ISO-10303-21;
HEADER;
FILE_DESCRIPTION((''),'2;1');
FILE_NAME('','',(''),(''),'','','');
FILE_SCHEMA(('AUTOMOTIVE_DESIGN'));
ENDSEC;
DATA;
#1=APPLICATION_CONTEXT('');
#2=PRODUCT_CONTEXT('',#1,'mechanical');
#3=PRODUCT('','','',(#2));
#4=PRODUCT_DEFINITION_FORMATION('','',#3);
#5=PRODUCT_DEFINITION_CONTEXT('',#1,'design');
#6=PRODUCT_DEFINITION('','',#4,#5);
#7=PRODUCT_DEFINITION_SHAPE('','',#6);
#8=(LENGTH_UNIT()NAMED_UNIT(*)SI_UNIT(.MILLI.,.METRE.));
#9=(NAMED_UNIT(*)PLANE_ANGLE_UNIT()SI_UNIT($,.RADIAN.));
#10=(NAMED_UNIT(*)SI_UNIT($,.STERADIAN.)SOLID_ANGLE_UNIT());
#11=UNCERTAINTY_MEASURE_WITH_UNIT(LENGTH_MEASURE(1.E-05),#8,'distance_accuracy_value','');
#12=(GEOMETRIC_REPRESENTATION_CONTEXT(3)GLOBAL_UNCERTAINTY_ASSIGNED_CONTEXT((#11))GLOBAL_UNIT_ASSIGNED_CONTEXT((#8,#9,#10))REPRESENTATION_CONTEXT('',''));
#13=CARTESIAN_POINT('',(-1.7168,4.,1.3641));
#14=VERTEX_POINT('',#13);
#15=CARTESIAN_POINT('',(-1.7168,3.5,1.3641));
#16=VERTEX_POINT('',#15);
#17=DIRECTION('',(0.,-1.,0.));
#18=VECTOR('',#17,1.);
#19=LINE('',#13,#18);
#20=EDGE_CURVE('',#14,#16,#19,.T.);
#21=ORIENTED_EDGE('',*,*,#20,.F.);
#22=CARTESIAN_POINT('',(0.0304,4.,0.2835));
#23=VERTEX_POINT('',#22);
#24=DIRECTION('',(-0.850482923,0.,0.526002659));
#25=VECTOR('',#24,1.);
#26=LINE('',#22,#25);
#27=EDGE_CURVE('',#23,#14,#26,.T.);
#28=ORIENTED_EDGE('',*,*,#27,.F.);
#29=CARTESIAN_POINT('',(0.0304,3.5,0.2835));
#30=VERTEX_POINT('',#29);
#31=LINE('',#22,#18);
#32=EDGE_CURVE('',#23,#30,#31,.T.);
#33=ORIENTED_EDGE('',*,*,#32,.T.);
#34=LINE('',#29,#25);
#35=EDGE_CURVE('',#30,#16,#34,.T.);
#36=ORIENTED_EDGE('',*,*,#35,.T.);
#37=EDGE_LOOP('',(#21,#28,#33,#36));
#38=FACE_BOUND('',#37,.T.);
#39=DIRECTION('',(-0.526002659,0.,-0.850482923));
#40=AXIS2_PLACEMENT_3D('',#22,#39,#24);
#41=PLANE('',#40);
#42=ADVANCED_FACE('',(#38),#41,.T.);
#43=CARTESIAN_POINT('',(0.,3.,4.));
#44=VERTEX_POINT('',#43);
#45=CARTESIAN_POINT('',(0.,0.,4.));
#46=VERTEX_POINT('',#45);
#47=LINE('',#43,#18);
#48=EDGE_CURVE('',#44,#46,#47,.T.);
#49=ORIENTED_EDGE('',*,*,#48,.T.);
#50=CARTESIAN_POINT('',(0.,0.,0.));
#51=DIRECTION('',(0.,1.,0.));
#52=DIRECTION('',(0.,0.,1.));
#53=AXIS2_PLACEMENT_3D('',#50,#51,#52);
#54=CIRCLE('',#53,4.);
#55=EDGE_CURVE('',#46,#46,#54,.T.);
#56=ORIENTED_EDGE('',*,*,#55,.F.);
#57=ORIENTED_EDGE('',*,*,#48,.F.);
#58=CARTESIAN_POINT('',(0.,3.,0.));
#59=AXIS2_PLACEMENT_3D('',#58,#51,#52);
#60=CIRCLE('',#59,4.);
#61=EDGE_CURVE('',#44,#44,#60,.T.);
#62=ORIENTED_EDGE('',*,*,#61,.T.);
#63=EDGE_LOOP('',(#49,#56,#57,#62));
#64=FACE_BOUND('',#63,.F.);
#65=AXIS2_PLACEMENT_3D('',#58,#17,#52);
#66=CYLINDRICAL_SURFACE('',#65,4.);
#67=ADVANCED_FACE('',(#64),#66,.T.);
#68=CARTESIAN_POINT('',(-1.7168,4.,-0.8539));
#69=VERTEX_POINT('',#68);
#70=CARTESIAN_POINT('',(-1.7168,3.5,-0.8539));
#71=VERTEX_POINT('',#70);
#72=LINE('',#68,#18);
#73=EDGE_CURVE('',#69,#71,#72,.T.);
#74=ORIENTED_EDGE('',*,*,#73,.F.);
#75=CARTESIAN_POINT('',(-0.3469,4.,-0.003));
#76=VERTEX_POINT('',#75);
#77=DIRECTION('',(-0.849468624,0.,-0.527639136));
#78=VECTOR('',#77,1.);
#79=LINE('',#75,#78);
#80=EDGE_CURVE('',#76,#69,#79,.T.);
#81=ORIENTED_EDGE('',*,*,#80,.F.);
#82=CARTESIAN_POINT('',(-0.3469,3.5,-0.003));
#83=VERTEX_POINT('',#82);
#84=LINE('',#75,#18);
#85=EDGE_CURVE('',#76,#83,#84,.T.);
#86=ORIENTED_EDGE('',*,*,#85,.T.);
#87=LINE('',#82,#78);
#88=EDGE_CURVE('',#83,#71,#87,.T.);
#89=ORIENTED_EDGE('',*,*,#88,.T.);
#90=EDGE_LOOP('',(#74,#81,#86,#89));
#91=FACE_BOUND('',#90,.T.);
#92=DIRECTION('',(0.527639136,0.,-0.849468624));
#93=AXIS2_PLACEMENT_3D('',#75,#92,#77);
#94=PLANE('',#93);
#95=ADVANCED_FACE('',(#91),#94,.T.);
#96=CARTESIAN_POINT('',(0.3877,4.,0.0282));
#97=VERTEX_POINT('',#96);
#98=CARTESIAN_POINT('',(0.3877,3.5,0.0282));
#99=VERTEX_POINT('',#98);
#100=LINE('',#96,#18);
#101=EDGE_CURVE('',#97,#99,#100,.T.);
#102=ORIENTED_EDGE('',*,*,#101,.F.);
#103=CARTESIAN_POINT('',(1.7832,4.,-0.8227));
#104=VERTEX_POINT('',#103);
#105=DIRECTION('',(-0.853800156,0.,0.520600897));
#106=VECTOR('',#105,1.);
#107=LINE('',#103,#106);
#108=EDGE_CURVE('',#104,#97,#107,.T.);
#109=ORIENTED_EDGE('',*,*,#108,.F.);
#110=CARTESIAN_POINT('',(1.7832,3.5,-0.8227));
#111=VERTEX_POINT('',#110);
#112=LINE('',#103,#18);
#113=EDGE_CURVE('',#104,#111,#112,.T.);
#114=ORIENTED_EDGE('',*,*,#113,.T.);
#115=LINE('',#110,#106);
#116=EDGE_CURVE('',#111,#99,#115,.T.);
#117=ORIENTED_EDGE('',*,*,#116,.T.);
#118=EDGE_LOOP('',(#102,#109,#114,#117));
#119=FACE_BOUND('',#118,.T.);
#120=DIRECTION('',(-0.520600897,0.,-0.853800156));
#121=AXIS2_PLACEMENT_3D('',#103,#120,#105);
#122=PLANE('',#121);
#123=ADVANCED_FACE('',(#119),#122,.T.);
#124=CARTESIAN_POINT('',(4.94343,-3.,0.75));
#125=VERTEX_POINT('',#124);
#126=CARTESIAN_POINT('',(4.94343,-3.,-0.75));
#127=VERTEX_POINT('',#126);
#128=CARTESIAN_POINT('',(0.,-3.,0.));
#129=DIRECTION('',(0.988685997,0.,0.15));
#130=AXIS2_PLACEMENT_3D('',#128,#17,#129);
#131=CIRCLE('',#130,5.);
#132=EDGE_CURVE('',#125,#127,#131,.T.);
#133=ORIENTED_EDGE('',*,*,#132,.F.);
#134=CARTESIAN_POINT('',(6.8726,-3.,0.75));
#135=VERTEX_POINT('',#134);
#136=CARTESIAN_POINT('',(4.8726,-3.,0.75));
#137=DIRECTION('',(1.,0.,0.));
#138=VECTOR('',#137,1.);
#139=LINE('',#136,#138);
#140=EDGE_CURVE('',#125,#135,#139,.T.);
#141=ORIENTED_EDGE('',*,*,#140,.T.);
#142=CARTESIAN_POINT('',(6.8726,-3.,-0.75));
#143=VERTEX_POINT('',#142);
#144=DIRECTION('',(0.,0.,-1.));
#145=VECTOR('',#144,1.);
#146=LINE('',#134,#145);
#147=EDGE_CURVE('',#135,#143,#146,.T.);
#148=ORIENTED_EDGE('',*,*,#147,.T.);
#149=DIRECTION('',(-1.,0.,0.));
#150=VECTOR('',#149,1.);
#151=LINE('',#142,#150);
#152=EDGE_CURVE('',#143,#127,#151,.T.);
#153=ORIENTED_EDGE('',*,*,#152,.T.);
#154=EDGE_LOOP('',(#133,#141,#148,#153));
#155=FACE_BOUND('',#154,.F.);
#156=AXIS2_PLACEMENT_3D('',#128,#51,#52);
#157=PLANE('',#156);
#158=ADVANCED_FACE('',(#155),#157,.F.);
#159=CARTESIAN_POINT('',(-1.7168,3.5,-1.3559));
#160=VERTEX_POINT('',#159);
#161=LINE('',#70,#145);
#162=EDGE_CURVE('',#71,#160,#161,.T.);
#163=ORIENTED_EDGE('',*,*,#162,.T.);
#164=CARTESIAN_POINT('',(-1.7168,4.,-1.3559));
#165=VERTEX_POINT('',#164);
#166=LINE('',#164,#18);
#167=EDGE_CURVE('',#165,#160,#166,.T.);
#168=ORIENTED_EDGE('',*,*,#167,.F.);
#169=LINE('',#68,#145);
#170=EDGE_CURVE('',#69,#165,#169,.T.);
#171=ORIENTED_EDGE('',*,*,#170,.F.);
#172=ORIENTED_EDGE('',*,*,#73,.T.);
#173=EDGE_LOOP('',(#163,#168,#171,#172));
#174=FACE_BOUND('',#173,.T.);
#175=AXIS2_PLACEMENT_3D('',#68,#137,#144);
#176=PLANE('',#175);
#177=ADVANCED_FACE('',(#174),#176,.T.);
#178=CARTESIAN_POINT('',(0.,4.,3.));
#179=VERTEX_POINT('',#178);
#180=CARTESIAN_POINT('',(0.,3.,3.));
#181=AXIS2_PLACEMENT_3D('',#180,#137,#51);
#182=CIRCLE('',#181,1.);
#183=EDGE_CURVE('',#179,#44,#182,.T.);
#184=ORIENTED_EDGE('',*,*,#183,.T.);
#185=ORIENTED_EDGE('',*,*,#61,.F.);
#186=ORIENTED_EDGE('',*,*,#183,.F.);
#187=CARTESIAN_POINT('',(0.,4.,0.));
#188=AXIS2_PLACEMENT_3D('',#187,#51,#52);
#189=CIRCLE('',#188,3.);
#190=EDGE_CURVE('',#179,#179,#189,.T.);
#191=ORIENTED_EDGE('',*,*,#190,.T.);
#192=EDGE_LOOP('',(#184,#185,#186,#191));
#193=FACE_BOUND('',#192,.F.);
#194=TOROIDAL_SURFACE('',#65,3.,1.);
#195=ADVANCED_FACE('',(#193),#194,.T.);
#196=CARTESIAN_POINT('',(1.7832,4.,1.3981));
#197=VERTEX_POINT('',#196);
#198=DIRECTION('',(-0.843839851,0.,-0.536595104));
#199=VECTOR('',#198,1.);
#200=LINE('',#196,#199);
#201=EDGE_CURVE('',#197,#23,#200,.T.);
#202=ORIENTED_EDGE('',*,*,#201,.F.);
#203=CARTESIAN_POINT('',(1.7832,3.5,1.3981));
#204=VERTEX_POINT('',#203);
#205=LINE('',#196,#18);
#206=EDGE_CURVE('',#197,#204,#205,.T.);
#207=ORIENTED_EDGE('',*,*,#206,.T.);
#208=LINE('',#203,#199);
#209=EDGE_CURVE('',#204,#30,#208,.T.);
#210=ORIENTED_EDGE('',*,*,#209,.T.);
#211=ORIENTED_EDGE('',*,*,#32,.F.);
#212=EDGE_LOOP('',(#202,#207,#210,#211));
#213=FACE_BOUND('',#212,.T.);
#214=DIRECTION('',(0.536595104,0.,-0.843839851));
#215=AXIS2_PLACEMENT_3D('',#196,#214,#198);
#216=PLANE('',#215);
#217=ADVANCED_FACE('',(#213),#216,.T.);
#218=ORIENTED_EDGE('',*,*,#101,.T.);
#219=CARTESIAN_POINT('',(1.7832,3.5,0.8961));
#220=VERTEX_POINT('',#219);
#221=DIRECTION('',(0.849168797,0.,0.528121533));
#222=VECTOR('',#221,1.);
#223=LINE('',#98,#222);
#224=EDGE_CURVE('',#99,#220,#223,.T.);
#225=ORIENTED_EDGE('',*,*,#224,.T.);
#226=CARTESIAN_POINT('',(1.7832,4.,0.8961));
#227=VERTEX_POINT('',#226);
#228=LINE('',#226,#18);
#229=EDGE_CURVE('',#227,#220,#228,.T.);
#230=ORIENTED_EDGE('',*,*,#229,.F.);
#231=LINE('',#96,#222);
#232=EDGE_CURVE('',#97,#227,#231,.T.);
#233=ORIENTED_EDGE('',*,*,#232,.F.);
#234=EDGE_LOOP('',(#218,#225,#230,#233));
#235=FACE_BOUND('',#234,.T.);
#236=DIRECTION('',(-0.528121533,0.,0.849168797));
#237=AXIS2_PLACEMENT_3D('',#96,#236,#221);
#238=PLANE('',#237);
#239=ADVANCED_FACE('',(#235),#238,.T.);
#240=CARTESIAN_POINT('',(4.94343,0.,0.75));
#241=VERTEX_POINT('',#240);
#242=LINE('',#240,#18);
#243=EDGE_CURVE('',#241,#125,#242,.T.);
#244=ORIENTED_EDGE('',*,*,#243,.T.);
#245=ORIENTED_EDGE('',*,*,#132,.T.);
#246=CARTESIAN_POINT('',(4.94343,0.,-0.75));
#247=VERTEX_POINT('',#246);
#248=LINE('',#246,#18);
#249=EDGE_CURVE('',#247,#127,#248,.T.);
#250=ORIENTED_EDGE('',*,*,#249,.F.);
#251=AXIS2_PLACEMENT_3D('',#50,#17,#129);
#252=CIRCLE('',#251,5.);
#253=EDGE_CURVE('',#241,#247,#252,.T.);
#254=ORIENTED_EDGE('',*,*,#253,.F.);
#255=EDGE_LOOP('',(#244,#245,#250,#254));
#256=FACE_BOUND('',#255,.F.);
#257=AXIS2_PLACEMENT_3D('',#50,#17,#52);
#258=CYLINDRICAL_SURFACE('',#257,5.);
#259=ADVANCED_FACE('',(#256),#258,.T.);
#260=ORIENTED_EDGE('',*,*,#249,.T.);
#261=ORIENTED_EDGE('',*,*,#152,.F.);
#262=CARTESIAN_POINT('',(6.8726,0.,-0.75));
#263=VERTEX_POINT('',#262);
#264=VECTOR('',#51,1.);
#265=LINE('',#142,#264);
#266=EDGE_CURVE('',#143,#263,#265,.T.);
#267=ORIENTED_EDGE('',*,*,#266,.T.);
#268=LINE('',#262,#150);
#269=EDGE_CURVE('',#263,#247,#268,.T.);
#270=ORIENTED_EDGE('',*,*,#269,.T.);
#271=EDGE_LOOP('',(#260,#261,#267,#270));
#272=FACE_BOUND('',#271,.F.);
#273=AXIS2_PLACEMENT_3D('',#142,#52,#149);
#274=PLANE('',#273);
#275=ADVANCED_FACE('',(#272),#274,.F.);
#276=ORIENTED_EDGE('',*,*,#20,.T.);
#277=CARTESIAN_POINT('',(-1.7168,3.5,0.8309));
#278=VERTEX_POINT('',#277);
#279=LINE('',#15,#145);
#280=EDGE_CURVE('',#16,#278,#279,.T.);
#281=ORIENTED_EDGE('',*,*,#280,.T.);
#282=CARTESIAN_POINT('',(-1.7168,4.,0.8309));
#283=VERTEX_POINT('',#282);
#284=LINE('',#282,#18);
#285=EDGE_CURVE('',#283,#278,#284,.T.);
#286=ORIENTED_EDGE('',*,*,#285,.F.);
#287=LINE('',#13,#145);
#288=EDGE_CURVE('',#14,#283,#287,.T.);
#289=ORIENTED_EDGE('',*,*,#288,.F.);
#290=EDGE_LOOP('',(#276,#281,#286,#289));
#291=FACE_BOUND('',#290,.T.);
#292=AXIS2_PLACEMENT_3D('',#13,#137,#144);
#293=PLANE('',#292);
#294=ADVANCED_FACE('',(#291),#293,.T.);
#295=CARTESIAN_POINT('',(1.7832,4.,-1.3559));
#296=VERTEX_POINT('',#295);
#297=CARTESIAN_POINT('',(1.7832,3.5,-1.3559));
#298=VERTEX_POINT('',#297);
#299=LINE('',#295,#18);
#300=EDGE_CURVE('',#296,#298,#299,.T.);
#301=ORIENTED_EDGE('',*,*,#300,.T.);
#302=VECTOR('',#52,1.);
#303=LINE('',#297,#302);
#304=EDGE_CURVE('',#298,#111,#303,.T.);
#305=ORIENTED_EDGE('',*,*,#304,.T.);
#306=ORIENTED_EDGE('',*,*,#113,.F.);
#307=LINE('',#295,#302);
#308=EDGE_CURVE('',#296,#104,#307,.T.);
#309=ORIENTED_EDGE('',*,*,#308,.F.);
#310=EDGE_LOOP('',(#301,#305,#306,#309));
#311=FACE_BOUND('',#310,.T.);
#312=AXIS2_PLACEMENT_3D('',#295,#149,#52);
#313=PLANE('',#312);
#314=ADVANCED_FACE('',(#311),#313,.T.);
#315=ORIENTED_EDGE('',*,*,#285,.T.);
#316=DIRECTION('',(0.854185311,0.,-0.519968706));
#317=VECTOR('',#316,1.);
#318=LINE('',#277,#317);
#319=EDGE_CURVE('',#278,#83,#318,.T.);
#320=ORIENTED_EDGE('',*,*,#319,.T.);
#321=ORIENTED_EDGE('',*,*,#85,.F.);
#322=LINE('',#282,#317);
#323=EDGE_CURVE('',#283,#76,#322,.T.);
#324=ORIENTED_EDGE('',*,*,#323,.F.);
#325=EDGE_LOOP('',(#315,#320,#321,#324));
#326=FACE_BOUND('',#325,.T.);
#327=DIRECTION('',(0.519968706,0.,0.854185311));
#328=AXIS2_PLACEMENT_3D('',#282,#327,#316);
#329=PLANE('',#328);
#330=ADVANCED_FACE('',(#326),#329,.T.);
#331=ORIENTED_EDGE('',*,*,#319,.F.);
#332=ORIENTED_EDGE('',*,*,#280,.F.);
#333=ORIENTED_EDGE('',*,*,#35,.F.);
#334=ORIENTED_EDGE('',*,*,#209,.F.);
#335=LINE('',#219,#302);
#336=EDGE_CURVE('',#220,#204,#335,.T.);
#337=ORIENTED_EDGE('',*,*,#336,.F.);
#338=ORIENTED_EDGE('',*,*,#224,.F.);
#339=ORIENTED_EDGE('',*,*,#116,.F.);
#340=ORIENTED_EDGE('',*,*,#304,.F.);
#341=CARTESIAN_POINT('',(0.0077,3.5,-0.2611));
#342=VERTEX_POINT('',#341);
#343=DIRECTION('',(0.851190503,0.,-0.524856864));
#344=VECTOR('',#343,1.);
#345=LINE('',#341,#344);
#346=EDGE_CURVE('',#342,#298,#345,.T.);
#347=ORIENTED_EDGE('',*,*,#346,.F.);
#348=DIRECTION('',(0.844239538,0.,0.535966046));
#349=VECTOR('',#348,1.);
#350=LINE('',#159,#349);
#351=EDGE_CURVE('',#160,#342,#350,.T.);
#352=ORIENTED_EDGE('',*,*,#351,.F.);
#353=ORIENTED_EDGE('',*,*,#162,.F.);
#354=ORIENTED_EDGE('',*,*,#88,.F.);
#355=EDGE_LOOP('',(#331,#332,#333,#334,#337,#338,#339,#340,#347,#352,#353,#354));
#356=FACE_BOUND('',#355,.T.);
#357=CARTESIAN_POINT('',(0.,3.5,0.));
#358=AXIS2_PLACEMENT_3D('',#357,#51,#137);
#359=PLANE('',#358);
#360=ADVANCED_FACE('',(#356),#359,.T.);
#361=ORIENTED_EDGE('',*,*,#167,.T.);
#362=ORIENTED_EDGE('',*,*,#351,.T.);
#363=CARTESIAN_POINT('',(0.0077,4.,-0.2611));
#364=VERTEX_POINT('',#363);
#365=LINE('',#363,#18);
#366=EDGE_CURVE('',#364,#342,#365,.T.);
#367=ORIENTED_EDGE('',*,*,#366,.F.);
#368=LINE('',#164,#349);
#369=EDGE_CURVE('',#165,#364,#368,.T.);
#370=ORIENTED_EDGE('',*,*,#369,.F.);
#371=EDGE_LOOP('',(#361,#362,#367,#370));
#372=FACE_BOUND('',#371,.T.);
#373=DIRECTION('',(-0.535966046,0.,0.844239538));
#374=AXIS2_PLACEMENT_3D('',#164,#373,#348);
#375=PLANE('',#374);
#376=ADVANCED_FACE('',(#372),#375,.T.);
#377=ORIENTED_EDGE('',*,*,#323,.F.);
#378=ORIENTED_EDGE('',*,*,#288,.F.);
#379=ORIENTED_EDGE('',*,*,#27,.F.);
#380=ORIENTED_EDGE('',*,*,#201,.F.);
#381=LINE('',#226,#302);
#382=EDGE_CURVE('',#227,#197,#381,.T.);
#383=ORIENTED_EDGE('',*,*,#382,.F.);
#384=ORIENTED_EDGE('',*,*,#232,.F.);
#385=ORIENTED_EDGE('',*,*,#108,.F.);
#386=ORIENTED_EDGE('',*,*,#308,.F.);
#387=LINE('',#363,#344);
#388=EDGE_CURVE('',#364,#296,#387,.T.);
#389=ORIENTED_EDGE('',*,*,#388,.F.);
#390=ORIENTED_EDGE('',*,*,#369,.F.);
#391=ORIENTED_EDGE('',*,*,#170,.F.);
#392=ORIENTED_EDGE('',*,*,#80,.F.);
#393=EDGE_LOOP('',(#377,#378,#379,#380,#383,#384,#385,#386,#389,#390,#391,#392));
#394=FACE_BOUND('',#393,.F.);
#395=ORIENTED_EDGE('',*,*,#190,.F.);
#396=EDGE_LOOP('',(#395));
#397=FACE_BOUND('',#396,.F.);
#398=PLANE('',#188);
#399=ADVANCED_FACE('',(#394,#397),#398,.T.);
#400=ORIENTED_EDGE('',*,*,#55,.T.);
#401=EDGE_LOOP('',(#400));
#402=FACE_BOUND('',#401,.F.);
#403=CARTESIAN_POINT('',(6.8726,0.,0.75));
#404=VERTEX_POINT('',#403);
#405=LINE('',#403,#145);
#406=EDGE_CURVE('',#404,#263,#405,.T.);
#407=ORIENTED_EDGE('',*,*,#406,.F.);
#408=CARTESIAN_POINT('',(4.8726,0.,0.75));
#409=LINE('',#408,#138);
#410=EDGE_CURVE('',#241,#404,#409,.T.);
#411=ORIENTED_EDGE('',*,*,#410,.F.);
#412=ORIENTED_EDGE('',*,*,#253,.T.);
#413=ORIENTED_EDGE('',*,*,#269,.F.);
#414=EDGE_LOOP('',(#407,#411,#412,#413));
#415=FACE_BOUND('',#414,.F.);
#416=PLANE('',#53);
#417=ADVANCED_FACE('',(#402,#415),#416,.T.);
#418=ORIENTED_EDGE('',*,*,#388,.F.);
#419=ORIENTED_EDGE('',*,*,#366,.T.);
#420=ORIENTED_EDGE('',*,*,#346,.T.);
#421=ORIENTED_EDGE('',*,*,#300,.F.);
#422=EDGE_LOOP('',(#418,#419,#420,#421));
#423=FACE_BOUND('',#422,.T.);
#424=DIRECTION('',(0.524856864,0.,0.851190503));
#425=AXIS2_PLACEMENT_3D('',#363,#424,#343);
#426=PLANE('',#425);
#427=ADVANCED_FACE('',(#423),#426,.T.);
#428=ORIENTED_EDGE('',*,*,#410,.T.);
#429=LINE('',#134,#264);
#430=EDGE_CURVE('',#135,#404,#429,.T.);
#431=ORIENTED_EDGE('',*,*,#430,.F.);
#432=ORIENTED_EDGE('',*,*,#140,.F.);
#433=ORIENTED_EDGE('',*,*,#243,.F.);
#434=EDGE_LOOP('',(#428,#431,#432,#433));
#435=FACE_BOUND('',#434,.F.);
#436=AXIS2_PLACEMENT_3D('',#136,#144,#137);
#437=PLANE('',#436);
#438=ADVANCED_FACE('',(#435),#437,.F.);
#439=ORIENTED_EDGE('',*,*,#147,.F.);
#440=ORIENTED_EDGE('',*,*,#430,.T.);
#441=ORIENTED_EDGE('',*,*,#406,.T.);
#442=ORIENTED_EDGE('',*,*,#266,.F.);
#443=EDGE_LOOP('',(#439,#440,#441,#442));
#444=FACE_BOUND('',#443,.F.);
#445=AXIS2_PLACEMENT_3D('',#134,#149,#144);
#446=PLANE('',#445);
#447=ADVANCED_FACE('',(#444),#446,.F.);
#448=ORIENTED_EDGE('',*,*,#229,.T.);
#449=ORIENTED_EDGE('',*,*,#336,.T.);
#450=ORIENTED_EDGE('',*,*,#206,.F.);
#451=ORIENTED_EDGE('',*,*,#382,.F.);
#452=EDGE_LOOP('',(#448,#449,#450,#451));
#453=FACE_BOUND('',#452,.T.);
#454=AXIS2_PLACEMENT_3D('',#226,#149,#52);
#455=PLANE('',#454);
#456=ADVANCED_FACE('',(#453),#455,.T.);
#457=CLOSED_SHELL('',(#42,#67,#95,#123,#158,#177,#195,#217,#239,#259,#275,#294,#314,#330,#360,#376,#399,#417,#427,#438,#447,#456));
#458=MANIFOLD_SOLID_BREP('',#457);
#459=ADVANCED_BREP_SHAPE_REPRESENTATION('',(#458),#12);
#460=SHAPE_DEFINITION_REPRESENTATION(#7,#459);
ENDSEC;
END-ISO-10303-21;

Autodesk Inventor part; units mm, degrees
ref_plane "YZ Plane" through (0, 0, 0) normal (1, 0, 0) x (0, 1, 0)
ref_plane "XZ Plane" through (0, 0, 0) normal (0, 1, 0) x (-1, 0, 0)
ref_plane "XY Plane" through (0, 0, 0) normal (0, 0, 1) x (1, 0, 0)
sketch "Skizze1" plane through (0, 0, 0) normal (1, 0, 0) x (0, 1, 0)
  line L0 (4, 0) -> (4, 3)
  arc A0 (4, 3) -> (3, 4) centre (3, 3) ccw
  line L1 (3, 4) -> (0, 4)
  line L2 (0, 4) -> (0, 5)
  line L3 (0, 5) -> (-3, 5)
  line L4 (-3, 5) -> (-3, 2)
  line L5 (0, 0) -> (4, 0)
  line L6 (-3, 2) -> (-3, 0)
  line L7 (-3, 0) -> (0, 0)
  point P0 (0, 2)
  dimension "d0" = 2
  dimension "d1" = 4
  dimension "d2" = 3
  dimension "d3" = 5
  dimension "d4" = 3
  dimension "d5" = 1
  dimension "d6" = 1
revolve "Umdrehung1" add sketch "Skizze1" angle 360 about axis through (0, 0, 0) along (0, 1, 0)
sketch "Skizze2" plane through (0, 4, 0) normal (0, 1, 0) x (1, 0, 0)
  line L0 (-1.7168, -1.418) -> (-1.7168, 1.5147) construction
  line L1 (-1.7168, 1.5147) -> (1.7832, 1.5147) construction
  line L2 (1.7832, 1.5147) -> (1.7832, -1.418) construction
  line L3 (1.7832, -1.418) -> (-1.7168, -1.418) construction
  line L4 (1.7832, 1.3559) -> (1.7832, 0.8227)
  line L5 (1.7832, 0.8227) -> (0.3877, -0.0282)
  line L6 (0.3877, -0.0282) -> (1.7832, -0.8961)
  line L7 (1.7832, -0.8961) -> (1.7832, -1.3981)
  line L8 (1.7832, -1.3981) -> (0.0304, -0.2835)
  line L9 (0.0304, -0.2835) -> (-1.7168, -1.3641)
  line L10 (-1.7168, -1.3641) -> (-1.7168, -0.8309)
  line L11 (-1.7168, -0.8309) -> (-0.3469, 0.003)
  line L12 (-0.3469, 0.003) -> (-1.7168, 0.8539)
  line L13 (-1.7168, 0.8539) -> (-1.7168, 1.3559)
  line L14 (-1.7168, 1.3559) -> (0.0077, 0.2611)
  line L15 (0.0077, 0.2611) -> (1.7832, 1.3559)
  point P0 (0, 0)
extrude "Extrusion1" cut sketch "Skizze2" against normal blind 0.5
sketch "Skizze4" plane through (0, -3, 0) normal (0, -1, 0) x (1, 0, 0)
  line L0 (4.8726, 0.75) -> (6.8726, 0.75)
  line L1 (6.8726, 0.75) -> (6.8726, -0.75)
  line L2 (6.8726, -0.75) -> (4.8726, -0.75)
  line L3 (4.8726, -0.75) -> (4.8726, 0.75)
  point P0 (0, 0)
  dimension "d15" = 1.5
  dimension "d16" = 2
  dimension "d17" = 0.75
extrude "Extrusion3" add sketch "Skizze4" against normal blind 3
properties part number "ButtonX_neu"
